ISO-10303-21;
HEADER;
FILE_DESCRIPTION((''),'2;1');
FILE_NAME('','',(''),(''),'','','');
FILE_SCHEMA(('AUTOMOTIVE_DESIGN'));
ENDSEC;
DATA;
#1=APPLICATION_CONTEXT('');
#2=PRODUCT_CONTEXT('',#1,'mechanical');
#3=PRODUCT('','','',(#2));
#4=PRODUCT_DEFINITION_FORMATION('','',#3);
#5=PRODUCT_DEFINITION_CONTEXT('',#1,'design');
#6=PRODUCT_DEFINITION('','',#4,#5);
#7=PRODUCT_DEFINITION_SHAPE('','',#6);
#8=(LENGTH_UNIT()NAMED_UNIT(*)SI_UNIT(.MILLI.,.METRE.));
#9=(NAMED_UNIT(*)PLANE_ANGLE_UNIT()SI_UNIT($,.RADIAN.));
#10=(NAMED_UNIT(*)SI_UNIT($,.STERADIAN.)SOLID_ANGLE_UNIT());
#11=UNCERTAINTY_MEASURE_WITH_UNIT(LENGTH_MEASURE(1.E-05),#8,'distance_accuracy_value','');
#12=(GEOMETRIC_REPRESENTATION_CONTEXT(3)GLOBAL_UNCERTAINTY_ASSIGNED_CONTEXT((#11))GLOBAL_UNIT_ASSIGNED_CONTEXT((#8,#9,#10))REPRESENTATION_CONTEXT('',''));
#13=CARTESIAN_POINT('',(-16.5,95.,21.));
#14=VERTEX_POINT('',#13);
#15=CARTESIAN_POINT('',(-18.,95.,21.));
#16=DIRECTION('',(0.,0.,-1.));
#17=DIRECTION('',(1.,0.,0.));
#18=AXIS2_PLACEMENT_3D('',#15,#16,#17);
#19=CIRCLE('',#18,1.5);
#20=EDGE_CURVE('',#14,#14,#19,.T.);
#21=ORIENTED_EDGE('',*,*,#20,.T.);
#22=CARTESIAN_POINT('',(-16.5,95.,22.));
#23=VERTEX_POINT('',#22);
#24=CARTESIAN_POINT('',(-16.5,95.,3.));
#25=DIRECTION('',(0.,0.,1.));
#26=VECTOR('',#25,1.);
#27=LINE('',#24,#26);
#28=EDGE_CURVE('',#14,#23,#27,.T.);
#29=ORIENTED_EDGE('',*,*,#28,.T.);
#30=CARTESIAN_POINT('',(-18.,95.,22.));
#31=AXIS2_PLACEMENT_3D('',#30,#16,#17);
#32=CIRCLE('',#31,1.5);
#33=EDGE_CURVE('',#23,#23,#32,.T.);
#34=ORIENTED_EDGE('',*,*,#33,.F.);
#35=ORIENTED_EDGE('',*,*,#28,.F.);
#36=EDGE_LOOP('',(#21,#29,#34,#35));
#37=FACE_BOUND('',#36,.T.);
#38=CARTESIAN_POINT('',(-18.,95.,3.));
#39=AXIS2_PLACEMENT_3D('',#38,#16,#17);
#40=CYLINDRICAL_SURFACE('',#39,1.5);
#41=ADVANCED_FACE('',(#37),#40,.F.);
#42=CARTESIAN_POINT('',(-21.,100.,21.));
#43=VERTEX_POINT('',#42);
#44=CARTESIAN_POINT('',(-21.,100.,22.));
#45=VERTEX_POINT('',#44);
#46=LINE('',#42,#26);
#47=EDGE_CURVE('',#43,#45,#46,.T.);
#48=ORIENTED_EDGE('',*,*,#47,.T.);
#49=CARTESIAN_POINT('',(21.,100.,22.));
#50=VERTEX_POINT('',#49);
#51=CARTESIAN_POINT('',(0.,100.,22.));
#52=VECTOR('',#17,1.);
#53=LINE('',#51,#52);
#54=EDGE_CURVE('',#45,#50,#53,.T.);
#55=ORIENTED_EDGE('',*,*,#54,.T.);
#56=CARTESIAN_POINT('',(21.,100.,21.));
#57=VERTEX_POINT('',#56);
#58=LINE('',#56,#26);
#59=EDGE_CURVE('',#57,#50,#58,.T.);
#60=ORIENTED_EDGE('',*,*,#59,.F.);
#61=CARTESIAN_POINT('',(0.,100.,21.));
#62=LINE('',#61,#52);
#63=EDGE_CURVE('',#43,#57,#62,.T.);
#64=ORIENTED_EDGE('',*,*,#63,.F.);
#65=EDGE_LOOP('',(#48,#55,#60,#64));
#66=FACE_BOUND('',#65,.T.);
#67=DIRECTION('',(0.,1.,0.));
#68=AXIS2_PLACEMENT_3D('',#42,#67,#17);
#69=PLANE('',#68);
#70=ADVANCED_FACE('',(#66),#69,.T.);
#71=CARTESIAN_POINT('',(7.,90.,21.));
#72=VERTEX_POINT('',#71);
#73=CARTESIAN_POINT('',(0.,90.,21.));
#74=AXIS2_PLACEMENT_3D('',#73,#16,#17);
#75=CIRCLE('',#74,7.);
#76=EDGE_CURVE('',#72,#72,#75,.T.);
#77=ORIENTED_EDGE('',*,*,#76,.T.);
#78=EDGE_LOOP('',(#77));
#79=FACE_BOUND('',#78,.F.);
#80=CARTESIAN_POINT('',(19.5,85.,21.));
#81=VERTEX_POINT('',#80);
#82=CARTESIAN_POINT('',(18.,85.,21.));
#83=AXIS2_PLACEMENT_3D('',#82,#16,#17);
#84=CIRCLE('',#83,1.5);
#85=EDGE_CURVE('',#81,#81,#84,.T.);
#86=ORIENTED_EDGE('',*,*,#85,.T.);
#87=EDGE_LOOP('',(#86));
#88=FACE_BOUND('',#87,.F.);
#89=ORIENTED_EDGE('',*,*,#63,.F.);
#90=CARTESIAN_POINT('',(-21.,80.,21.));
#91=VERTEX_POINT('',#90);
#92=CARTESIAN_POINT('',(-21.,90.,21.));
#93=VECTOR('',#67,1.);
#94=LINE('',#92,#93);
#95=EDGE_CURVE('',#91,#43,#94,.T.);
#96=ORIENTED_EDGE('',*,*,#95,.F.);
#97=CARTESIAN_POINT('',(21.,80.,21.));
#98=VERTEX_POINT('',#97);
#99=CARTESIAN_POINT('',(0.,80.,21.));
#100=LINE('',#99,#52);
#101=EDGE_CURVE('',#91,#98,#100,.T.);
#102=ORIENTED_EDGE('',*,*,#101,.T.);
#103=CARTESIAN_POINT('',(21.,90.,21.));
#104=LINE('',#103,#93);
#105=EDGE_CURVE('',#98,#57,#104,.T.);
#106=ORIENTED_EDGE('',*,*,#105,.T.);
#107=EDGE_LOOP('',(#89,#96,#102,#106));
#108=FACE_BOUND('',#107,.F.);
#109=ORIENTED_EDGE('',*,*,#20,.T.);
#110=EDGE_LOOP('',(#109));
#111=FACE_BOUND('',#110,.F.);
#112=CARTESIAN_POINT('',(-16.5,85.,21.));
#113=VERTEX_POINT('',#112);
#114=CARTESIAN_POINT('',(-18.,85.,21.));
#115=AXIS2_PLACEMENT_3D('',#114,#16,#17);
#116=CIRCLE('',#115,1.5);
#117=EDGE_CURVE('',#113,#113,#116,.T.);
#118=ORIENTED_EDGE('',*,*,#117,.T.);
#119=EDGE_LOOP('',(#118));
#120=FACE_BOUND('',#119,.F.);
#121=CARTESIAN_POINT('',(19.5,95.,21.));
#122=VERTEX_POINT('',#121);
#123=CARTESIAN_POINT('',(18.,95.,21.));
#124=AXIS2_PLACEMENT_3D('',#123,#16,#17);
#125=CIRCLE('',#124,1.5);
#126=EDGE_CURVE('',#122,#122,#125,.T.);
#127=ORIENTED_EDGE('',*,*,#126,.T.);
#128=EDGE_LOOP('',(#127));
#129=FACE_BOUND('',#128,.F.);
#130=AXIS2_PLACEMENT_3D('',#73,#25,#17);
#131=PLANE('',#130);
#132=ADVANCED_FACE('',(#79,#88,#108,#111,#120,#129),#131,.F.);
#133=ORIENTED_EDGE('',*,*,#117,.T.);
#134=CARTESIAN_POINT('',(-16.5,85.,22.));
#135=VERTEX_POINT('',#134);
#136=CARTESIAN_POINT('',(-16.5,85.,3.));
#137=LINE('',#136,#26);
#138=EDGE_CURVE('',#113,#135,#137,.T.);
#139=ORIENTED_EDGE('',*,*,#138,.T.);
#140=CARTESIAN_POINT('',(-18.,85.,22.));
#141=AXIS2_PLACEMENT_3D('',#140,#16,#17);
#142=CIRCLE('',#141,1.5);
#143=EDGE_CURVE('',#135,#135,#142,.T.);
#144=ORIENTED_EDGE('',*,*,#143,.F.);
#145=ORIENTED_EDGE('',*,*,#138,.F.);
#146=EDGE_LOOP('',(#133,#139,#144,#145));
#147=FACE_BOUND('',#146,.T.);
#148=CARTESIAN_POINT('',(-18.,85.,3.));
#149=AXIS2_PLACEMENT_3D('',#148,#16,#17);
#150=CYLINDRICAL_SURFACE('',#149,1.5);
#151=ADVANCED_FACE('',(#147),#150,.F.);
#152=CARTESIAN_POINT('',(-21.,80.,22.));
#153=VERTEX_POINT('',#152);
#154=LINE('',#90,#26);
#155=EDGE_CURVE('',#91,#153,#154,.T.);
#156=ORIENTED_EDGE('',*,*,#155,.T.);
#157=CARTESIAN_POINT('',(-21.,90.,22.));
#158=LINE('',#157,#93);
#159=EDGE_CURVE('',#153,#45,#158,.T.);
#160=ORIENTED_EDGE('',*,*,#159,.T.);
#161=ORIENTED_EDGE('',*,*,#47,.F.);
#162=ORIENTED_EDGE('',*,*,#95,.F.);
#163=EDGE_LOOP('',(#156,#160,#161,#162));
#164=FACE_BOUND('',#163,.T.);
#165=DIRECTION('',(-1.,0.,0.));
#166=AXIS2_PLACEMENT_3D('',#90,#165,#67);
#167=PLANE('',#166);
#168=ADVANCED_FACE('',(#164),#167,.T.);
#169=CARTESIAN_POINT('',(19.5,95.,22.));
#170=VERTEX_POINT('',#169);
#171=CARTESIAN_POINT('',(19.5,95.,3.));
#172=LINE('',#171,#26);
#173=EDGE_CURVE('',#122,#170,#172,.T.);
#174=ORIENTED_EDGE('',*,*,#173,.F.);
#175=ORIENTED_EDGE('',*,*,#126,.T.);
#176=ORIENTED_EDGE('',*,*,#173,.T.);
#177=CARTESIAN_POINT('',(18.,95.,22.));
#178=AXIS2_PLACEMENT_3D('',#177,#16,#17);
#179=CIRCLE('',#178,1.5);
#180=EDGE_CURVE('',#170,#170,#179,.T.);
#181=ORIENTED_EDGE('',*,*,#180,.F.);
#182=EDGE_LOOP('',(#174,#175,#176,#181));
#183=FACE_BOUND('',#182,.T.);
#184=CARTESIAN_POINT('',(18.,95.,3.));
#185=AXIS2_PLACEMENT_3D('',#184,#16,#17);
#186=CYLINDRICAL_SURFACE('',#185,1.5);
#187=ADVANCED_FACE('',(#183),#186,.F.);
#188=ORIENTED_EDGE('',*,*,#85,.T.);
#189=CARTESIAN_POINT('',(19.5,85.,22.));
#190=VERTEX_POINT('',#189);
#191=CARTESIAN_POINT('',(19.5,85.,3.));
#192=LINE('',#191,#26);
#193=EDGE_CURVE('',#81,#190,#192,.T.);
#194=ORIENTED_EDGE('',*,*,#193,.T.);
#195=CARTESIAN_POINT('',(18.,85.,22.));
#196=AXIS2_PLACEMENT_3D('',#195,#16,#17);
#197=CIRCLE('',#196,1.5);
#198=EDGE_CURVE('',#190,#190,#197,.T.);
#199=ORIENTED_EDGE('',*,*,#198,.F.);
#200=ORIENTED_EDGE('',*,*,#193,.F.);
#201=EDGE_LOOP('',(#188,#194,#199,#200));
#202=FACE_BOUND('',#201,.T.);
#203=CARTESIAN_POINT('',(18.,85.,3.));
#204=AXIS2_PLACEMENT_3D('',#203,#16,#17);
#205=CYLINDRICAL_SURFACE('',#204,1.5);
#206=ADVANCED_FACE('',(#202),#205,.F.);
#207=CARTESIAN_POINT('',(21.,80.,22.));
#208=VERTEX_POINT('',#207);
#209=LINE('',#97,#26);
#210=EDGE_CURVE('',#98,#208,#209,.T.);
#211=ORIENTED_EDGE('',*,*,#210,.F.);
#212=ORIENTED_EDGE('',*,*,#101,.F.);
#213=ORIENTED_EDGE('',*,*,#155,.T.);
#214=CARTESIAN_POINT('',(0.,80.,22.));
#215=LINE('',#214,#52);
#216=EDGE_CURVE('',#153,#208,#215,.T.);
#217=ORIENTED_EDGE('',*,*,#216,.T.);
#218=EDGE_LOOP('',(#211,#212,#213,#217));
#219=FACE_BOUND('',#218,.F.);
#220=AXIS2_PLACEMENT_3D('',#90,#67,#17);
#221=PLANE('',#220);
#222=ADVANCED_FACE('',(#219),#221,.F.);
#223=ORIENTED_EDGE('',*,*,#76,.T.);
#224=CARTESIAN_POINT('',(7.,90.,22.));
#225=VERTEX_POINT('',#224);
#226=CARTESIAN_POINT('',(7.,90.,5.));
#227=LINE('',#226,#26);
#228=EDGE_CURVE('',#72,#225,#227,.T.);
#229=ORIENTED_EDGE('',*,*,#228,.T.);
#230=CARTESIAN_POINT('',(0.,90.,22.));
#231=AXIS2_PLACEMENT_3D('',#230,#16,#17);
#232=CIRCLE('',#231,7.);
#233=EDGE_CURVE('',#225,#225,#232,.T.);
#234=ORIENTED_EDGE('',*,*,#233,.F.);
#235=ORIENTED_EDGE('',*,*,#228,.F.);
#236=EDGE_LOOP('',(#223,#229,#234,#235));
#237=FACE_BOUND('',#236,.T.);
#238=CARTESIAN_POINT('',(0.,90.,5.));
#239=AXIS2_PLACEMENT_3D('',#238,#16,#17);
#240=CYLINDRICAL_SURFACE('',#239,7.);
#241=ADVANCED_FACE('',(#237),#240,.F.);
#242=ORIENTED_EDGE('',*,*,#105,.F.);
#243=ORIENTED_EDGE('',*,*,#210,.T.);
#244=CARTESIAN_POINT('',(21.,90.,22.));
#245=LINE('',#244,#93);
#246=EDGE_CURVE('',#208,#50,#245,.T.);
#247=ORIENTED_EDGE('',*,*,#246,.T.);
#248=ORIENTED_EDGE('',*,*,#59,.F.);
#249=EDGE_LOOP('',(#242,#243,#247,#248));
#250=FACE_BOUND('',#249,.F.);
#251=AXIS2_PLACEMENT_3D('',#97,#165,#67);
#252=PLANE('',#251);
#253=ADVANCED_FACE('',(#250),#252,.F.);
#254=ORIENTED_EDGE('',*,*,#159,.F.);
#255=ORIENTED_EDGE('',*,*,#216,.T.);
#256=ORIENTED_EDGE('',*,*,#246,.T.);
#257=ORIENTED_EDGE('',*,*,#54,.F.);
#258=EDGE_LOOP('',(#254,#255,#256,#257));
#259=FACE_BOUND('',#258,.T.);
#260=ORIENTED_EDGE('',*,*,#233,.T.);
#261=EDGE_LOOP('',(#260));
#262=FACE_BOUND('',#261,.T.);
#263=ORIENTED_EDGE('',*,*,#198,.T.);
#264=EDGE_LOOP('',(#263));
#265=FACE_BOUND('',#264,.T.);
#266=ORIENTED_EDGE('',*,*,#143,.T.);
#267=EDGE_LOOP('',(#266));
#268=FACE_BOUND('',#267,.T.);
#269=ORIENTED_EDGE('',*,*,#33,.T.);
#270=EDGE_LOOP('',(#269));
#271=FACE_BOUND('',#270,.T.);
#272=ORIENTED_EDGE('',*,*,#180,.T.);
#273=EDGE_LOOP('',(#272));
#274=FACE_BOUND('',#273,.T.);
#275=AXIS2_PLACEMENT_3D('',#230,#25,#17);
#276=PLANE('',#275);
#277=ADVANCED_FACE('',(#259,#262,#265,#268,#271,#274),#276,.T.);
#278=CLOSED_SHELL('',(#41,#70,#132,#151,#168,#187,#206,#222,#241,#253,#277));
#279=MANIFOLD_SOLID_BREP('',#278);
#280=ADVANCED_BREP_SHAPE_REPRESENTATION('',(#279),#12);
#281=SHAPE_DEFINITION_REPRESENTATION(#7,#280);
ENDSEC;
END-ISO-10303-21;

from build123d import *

# Parameters (mm, degrees)
CYLINDER1721_R     = 1.5
CYLINDER1721_DEPTH = 60
CYLINDER1719_R     = 1.5
CYLINDER1719_DEPTH = 60
CYLINDER1723_R     = 1.5
CYLINDER1723_DEPTH = 60
CYLINDER1722_R     = 1.5
CYLINDER1722_DEPTH = 60
CYLINDER1720_R     = 7
CYLINDER1720_DEPTH = 48
BOX667_W           = 42
BOX667_H           = 20
BOX667_DEPTH       = 1


with BuildPart() as v_lec1721:
    # Cylinder1721 → Cylinder1721 (new body)
    with BuildSketch(Plane(origin=(18, 85, -57), x_dir=(1, 0, 0), z_dir=(0, 0, 1))):
        Circle(CYLINDER1721_R)
    extrude(amount=CYLINDER1721_DEPTH)


with BuildPart() as v_lec1719:
    # Cylinder1719 → Cylinder1719 (new body)
    with BuildSketch(Plane(origin=(-18, 85, -57), x_dir=(1, 0, 0), z_dir=(0, 0, 1))):
        Circle(CYLINDER1719_R)
    extrude(amount=CYLINDER1719_DEPTH)


with BuildPart() as v_lec1723:
    # Cylinder1723 → Cylinder1723 (new body)
    with BuildSketch(Plane(origin=(-18, 95, -57), x_dir=(1, 0, 0), z_dir=(0, 0, 1))):
        Circle(CYLINDER1723_R)
    extrude(amount=CYLINDER1723_DEPTH)


with BuildPart() as compound852:
    # Cylinder1722 → Cylinder1722 (new body)
    with BuildSketch(Plane(origin=(18, 95, -57), x_dir=(1, 0, 0), z_dir=(0, 0, 1))):
        Circle(CYLINDER1722_R)
    extrude(amount=CYLINDER1722_DEPTH)

    # Compound852: union Válec1721, Válec1719, Válec1723
    add(v_lec1721.part)
    add(v_lec1719.part)
    add(v_lec1723.part)


with BuildPart() as v_lec1720:
    # Cylinder1720 → Cylinder1720 (new body)
    with BuildSketch(Plane(origin=(0, 90, -55), x_dir=(1, 0, 0), z_dir=(0, 0, 1))):
        Circle(CYLINDER1720_R)
    extrude(amount=CYLINDER1720_DEPTH)


with BuildPart() as j_midi_encoder_washer:
    # Box667 → Box667 (new body)
    with BuildSketch(Plane(origin=(-21, 80, -39), x_dir=(1, 0, 0), z_dir=(0, 0, 1))):
        with Locations((21, 10)):
            Rectangle(BOX667_W, BOX667_H)
    extrude(amount=BOX667_DEPTH)

    # Cut356: cut Válec1720
    add(v_lec1720.part, mode=Mode.SUBTRACT)

    # Cut357: cut Compound852
    add(compound852.part, mode=Mode.SUBTRACT)


with BuildPart() as j_midi_encoder_washer_1:
    # Cut357 placement: moved
    add(j_midi_encoder_washer.part.moved(Location((0, 0, 60))))


solid = j_midi_encoder_washer_1.part
